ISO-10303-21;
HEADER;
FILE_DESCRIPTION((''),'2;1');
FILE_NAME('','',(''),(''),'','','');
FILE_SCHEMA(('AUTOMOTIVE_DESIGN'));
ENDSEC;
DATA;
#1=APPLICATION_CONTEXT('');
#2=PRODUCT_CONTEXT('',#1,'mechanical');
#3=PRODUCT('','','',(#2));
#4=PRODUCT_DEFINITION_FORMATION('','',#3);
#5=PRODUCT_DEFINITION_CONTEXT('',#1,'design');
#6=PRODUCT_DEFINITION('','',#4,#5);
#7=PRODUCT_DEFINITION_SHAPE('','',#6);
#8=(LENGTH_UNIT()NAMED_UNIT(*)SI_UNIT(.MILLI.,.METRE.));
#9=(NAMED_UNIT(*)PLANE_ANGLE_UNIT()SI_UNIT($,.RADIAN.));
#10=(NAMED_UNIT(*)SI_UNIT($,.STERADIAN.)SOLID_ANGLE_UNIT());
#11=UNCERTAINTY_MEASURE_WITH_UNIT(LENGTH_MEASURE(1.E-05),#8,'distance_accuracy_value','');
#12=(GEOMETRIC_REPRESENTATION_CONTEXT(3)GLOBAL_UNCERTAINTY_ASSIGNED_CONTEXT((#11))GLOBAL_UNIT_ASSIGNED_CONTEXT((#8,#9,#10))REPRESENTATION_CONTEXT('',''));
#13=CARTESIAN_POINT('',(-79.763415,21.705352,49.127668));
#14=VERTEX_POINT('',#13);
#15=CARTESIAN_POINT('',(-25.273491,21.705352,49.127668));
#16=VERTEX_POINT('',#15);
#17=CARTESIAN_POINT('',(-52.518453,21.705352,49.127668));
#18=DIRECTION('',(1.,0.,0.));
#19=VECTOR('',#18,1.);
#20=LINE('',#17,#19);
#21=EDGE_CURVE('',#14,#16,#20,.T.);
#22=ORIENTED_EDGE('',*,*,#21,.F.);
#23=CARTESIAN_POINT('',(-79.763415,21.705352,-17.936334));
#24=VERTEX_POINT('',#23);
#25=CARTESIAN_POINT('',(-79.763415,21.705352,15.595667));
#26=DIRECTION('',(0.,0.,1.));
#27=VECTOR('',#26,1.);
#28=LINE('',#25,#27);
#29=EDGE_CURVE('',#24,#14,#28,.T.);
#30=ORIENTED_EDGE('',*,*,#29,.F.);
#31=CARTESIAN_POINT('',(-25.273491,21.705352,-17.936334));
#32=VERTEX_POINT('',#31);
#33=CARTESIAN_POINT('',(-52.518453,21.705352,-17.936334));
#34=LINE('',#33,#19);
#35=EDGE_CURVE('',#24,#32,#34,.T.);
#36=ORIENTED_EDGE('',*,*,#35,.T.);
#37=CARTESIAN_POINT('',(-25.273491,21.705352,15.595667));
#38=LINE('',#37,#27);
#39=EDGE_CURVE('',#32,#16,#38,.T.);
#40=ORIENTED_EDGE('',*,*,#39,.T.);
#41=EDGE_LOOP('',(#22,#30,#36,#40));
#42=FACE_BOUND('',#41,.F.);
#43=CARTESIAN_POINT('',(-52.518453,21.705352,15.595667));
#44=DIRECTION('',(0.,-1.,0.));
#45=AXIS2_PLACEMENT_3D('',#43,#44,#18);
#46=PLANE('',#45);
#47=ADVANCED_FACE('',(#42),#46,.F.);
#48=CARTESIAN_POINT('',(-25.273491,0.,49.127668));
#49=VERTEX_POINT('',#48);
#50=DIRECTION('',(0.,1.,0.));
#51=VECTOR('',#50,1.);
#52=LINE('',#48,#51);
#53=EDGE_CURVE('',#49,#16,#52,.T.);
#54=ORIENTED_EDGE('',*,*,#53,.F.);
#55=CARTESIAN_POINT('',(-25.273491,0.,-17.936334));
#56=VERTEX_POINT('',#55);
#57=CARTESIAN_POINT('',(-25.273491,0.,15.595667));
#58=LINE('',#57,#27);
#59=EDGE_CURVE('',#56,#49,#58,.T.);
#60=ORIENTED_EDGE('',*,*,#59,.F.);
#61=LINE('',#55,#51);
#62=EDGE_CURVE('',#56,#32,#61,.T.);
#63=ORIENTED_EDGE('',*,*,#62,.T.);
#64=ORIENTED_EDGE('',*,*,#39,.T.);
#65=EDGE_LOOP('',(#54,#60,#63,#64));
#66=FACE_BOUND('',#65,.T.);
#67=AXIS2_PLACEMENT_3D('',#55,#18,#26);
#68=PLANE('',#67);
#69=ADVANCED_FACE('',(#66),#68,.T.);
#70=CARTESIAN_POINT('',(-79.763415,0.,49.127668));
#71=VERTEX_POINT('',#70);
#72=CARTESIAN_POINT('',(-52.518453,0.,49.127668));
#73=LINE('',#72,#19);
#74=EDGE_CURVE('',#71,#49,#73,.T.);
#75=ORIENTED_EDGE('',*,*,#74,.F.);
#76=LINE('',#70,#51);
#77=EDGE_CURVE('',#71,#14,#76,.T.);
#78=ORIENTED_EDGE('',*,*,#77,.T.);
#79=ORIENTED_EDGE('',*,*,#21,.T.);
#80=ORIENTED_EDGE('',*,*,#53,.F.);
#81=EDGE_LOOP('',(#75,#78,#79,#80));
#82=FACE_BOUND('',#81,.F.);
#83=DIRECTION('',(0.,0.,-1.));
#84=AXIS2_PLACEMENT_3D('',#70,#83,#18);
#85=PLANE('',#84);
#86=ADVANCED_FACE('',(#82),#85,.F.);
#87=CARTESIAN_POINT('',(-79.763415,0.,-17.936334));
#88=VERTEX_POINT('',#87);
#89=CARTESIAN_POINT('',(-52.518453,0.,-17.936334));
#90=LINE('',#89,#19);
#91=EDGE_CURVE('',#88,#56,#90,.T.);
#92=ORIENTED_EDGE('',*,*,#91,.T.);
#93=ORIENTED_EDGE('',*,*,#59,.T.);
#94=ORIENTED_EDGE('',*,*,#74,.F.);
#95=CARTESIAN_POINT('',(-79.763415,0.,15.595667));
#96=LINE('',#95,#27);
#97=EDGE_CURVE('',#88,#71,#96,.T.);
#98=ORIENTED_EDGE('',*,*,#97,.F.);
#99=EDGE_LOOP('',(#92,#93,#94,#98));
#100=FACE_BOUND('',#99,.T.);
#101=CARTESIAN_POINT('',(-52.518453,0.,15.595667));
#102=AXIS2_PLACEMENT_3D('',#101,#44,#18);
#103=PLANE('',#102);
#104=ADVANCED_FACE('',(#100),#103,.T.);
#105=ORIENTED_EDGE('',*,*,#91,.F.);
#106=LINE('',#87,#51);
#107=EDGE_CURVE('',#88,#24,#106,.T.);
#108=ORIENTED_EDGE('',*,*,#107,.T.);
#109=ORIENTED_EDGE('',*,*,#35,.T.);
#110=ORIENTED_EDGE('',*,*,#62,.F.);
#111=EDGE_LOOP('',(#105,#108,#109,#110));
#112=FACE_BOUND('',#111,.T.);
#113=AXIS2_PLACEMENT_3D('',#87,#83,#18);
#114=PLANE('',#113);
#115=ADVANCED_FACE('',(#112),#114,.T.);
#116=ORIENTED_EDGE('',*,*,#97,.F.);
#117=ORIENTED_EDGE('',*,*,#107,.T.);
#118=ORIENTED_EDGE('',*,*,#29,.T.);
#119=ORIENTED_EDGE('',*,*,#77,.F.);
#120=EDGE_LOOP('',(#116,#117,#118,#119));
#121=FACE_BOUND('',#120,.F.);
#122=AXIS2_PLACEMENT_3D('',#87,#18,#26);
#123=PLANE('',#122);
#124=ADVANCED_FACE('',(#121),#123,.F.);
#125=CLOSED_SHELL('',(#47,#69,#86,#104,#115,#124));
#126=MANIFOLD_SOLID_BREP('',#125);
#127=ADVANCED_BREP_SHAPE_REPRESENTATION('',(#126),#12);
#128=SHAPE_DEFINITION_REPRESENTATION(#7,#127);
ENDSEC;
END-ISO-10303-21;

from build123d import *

# Parameters (mm, degrees)
F0_W     = 54.489925
F0_H     = 67.064002
F1_DEPTH = 21.705352


with BuildPart() as f1:
    # F0 (on Front) → F1 (new body)
    with BuildSketch(Plane.XZ):
        with Locations((-52.518453, 15.595667)):
            Rectangle(F0_W, F0_H)
    extrude(amount=-F1_DEPTH)


solid = f1.part
